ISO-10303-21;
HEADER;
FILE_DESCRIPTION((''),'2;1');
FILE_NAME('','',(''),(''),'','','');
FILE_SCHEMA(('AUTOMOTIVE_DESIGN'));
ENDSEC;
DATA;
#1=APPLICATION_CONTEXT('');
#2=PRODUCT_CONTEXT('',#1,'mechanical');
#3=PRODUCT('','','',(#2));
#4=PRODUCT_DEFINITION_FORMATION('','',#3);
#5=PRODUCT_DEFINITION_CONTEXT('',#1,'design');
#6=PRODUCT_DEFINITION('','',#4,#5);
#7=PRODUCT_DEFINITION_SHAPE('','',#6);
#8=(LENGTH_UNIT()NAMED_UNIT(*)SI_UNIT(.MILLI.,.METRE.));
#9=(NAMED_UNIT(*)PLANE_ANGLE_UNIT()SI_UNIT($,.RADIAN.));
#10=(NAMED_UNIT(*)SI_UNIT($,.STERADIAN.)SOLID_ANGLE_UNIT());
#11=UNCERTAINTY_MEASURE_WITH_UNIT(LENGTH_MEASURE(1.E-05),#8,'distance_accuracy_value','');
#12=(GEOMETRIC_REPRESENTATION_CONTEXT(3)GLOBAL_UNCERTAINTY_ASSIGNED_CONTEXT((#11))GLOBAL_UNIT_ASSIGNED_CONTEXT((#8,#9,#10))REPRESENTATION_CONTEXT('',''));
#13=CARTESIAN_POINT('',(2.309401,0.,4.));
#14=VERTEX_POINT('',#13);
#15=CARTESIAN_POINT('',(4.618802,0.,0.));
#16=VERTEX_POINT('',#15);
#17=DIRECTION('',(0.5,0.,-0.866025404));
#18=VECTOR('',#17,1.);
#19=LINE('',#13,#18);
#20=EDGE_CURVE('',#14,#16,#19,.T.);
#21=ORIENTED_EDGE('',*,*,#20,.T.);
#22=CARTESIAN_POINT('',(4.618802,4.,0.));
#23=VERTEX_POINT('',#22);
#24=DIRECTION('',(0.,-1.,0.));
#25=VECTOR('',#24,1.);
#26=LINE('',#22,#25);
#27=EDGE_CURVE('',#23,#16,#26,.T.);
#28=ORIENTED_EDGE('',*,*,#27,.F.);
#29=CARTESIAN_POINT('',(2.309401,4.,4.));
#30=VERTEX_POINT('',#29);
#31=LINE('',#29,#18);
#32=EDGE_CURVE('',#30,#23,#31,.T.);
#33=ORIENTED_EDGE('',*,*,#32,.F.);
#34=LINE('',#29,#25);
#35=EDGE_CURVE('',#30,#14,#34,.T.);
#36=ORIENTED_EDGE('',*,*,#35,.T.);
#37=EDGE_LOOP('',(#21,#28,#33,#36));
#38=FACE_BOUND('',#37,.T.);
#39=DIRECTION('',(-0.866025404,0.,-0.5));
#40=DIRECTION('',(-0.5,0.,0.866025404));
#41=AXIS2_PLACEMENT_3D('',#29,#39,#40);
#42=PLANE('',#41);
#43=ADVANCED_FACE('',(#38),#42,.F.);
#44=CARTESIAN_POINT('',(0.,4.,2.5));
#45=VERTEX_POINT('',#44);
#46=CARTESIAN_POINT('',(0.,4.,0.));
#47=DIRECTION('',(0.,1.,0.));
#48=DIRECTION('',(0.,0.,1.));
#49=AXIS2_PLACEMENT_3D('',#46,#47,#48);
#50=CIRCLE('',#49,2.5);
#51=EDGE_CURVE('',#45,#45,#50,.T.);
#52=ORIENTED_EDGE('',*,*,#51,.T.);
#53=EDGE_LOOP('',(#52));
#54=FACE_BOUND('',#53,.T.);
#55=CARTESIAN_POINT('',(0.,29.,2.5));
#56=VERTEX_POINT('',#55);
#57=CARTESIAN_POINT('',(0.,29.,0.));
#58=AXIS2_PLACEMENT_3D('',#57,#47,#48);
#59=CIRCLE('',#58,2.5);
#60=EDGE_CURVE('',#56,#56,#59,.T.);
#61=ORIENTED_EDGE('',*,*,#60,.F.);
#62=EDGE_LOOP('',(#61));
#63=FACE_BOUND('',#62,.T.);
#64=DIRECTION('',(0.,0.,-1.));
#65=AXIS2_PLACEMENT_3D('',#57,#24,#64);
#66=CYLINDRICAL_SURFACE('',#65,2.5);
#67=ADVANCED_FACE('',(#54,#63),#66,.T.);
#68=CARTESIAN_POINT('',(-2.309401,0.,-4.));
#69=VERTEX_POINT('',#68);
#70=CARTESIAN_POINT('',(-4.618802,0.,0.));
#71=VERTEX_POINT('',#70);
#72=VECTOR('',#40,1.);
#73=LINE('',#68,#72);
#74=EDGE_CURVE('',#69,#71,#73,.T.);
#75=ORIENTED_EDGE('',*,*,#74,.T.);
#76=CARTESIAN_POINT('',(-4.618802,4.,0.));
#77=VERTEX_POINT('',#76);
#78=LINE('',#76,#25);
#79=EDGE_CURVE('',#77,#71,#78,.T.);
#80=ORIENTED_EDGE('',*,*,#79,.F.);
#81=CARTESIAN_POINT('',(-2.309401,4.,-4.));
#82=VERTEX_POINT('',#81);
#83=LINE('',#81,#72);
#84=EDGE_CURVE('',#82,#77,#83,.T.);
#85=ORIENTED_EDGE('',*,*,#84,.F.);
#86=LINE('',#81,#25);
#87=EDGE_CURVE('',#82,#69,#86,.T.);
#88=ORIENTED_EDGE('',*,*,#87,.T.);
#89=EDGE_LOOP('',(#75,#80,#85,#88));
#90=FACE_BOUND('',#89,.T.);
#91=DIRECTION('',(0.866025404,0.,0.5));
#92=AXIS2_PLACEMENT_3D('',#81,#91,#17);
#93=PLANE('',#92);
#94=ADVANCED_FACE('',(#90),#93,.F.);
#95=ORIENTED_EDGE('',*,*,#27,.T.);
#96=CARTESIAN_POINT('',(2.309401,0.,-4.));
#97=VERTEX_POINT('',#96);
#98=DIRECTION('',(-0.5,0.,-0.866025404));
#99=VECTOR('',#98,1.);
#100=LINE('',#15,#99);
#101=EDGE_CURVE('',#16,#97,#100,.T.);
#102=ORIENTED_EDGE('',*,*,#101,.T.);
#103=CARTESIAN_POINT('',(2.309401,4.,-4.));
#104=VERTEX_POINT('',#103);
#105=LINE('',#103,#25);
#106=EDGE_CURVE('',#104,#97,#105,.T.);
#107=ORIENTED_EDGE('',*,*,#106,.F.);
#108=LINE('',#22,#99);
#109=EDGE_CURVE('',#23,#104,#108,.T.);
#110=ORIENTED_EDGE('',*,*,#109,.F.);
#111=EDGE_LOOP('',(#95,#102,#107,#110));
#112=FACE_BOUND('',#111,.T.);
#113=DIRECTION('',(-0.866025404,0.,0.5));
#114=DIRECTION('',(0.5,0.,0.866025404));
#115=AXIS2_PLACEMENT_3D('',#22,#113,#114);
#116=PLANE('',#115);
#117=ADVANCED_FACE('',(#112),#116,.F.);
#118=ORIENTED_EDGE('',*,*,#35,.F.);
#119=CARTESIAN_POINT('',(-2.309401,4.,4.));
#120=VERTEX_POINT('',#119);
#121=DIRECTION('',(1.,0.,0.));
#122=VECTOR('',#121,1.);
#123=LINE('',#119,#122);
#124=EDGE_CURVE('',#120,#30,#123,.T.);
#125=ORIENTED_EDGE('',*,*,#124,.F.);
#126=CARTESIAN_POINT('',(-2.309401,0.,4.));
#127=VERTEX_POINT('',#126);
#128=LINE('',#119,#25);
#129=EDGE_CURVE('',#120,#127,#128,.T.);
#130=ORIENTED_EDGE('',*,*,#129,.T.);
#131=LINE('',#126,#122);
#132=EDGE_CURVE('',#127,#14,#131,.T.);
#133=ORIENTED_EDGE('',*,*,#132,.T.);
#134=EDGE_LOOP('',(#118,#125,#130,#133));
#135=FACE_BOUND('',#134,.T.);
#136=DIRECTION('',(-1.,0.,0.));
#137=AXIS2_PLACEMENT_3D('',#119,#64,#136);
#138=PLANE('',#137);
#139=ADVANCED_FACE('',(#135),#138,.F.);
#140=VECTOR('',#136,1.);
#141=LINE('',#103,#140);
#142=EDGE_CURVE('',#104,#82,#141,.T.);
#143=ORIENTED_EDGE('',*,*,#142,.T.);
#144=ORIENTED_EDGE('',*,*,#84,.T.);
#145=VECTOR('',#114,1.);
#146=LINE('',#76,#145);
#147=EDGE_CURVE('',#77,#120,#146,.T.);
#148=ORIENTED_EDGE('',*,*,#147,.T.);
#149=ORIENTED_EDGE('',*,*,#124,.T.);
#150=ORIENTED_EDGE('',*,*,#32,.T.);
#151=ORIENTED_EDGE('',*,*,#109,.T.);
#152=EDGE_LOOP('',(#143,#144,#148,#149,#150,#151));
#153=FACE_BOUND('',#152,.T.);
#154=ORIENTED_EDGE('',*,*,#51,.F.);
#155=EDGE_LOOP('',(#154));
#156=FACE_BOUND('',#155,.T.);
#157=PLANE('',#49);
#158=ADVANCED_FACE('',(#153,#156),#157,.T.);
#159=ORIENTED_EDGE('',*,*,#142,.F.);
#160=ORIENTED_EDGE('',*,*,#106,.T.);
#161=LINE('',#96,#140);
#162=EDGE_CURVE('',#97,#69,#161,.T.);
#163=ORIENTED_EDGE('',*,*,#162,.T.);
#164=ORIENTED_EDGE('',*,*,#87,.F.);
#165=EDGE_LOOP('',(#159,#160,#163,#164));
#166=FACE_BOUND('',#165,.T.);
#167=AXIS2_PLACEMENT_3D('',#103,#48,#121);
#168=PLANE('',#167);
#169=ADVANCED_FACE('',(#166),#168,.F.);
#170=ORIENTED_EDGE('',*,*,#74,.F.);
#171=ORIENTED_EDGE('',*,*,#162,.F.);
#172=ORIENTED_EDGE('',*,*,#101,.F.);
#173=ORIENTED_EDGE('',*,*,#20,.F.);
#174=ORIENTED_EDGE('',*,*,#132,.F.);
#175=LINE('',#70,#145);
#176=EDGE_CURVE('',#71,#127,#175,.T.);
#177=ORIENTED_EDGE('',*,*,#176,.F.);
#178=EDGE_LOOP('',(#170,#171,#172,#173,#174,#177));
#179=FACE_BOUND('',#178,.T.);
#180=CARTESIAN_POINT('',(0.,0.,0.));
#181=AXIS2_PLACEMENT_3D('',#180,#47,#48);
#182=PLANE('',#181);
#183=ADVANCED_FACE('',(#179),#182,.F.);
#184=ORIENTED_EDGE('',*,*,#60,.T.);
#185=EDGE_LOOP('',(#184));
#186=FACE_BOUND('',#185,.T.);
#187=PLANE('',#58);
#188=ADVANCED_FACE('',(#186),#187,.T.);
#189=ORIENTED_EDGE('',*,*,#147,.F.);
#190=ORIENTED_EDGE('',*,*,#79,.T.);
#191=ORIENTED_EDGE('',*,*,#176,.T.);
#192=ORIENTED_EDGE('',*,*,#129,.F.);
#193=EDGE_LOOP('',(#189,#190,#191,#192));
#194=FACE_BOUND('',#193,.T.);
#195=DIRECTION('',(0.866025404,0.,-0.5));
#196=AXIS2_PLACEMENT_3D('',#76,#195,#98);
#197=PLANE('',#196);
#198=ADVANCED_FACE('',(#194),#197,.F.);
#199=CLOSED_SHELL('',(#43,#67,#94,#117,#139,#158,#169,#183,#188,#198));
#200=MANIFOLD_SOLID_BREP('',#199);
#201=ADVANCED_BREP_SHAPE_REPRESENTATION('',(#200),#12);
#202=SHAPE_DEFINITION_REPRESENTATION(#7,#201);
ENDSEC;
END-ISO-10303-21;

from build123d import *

# Parameters (mm, degrees)
BOSS_EXTRUDE1_DEPTH = 4
SKETCH2_R           = 2.5
BOSS_EXTRUDE2_DEPTH = 25


with BuildPart() as part:
    # Sketch1 → Boss-Extrude1 (new body)
    with BuildSketch(Plane(origin=(0, 0, 0), x_dir=(1, 0, 0), z_dir=(0, 1, 0))):
        Polygon((4.618802154, 0), (2.309401077, 4), (-2.309401077, 4), (-4.618802154, 0), (-2.309401077, -4), (2.309401077, -4), align=None)
    extrude(amount=BOSS_EXTRUDE1_DEPTH)

    # Sketch2 → Boss-Extrude2 (add)
    with BuildSketch(Plane(origin=(0, 4, 0), x_dir=(1, 0, 0), z_dir=(0, 1, 0))):
        with Locations(Location((0, 0, 0), (0, 0, 270))):
            Circle(SKETCH2_R)
    extrude(amount=BOSS_EXTRUDE2_DEPTH)


solid = part.part
